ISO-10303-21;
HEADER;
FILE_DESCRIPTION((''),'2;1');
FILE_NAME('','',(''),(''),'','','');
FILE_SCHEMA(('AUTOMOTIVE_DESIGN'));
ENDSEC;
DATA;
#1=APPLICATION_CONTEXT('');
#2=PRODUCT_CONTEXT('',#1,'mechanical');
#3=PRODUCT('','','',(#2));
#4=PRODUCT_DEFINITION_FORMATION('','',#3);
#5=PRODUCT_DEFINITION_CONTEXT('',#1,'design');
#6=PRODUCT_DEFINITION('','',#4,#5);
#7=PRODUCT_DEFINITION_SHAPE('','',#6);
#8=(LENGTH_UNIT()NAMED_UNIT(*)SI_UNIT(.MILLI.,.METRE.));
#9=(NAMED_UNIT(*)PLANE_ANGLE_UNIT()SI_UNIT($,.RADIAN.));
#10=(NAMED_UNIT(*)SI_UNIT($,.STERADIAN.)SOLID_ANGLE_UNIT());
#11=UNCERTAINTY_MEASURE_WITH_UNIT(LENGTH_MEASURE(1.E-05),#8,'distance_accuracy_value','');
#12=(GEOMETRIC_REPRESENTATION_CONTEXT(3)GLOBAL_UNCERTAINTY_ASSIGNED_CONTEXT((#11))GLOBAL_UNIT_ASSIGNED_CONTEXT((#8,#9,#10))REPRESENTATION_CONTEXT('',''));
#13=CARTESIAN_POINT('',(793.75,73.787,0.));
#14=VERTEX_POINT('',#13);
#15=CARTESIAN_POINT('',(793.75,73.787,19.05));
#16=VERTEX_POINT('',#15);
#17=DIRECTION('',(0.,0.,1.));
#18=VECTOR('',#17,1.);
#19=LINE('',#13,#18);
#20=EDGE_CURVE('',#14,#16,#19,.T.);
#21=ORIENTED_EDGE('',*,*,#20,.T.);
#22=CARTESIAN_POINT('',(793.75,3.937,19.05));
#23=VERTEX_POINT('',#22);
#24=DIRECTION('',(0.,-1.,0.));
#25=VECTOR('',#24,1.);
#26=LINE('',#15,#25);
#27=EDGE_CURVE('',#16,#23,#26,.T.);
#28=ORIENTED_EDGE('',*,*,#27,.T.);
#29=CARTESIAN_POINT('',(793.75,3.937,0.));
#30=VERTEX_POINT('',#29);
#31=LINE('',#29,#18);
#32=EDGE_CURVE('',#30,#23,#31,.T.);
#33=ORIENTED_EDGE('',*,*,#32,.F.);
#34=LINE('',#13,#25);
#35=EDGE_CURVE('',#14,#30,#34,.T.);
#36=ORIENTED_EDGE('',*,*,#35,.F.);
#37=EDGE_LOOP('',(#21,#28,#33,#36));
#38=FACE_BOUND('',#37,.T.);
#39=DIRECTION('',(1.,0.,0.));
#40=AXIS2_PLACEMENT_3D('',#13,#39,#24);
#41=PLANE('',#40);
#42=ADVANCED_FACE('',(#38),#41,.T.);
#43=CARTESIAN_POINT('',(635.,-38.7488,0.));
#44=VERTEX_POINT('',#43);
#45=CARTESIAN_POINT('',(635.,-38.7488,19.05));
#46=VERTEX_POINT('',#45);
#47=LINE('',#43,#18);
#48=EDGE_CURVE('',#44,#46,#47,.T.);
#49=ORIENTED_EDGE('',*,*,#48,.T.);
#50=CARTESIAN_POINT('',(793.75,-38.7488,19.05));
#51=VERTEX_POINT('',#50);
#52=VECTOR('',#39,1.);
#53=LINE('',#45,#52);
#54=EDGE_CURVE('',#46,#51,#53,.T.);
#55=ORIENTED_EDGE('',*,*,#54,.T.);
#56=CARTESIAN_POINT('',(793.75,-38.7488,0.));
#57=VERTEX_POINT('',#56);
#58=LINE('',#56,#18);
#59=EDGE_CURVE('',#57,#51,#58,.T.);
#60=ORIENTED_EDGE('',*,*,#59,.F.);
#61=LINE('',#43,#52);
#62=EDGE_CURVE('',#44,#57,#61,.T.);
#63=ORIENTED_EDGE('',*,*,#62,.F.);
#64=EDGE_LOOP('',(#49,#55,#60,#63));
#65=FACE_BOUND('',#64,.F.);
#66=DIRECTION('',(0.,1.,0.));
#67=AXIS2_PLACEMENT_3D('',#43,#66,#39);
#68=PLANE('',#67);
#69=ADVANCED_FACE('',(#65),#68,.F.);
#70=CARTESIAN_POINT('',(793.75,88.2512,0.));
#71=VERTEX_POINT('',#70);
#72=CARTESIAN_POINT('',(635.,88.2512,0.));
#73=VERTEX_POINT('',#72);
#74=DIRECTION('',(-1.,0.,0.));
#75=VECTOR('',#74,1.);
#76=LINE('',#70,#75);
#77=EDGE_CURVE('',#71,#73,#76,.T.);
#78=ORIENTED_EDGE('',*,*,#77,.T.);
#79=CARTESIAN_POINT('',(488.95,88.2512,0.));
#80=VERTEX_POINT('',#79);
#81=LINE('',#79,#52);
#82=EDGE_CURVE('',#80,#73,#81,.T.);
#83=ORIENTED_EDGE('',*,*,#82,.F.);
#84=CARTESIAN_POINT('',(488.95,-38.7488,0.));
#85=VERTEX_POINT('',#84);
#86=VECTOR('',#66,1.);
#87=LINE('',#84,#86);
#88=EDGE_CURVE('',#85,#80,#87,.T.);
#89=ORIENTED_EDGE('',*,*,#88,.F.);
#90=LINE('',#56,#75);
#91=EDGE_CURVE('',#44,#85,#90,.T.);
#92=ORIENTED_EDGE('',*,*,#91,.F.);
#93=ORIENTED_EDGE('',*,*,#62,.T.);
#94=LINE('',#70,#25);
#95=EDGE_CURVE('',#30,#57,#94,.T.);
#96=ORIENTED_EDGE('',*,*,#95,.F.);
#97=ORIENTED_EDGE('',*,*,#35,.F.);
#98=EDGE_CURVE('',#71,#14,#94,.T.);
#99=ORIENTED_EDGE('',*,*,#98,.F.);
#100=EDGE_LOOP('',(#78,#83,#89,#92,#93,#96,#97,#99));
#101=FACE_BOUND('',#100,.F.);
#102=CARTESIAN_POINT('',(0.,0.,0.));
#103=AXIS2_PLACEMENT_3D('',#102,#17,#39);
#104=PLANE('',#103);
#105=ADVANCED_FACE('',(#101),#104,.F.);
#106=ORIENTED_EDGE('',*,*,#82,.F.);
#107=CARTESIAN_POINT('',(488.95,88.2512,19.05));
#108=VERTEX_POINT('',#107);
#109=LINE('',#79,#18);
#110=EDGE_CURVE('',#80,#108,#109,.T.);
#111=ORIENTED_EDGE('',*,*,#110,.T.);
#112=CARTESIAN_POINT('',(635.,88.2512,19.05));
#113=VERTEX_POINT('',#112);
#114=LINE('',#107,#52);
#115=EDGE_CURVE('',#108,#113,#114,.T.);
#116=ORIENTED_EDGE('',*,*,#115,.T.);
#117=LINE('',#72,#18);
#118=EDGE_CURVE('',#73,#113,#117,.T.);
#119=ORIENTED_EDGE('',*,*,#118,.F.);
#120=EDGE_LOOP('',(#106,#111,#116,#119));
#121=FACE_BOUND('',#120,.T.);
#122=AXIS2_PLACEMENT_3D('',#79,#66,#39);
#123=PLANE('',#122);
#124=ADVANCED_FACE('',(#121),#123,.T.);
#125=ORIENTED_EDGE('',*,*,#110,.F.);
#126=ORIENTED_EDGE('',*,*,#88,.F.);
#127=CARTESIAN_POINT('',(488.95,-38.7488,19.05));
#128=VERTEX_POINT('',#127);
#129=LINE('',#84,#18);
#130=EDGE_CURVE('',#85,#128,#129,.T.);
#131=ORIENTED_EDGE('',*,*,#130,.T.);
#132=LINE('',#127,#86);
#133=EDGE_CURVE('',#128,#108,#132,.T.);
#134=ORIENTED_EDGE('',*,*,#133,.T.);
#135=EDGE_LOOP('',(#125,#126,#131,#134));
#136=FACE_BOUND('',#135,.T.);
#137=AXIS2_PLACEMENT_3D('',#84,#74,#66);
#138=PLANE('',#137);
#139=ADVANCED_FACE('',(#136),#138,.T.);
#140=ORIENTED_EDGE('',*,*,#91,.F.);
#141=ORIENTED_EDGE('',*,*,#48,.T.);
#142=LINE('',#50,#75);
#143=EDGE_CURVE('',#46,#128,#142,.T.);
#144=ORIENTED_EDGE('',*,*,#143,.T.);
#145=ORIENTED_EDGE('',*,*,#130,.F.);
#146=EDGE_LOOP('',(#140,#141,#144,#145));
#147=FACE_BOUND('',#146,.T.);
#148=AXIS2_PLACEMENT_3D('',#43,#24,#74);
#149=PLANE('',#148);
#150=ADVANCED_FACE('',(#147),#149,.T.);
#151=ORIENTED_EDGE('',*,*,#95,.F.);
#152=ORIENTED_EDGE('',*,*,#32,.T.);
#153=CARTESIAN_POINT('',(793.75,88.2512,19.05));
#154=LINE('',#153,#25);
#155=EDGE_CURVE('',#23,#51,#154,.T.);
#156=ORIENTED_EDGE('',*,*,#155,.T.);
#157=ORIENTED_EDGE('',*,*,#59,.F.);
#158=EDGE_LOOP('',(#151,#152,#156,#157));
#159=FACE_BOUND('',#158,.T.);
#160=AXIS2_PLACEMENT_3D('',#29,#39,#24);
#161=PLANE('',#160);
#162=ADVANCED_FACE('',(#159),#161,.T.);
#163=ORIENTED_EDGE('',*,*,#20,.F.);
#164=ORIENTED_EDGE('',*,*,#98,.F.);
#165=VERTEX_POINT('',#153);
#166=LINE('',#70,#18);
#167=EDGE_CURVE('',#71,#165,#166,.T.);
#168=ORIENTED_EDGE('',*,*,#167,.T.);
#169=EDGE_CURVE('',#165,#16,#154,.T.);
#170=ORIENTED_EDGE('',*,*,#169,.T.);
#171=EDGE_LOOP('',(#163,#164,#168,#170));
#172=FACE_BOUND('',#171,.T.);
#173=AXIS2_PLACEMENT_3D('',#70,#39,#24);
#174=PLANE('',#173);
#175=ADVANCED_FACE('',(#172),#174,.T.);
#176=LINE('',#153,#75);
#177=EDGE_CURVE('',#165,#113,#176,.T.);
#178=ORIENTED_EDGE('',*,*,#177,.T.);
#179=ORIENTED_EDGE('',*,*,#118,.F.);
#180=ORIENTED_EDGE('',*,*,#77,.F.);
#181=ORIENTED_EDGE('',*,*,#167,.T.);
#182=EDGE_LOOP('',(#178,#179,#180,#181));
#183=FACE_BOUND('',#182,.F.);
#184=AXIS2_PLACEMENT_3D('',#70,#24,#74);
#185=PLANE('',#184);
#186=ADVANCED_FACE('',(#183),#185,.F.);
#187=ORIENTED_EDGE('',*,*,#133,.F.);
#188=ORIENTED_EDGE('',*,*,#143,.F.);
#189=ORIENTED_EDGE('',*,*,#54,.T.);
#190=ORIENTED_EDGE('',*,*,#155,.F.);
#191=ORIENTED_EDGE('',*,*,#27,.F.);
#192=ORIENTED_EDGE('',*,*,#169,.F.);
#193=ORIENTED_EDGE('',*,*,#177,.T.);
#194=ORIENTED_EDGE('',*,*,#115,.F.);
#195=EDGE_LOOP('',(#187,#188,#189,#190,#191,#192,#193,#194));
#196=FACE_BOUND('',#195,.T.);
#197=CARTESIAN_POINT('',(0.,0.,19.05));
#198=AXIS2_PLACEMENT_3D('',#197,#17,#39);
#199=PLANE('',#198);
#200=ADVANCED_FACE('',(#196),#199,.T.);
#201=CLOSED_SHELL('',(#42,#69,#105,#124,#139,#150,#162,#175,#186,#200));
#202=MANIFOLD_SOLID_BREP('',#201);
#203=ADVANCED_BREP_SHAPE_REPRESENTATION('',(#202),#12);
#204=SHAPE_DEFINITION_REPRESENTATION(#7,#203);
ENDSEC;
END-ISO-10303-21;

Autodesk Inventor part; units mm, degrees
ref_plane "YZ Plane" through (0, 0, 0) normal (1, 0, 0) x (0, 1, 0)
ref_plane "XZ Plane" through (0, 0, 0) normal (0, 1, 0) x (-1, 0, 0)
ref_plane "XY Plane" through (0, 0, 0) normal (0, 0, 1) x (1, 0, 0)
sketch "Sketch1" plane through (0, 0, 0) normal (0, 0, 1) x (1, 0, 0)
  line L0 (793.75, 73.787) -> (793.75, 3.937) projected
  line L1 (635, -38.7488) -> (793.75, -38.7488) projected
  line L2 (793.75, 88.2512) -> (635, 88.2512) projected
  line L3 (793.75, -38.7488) -> (488.95, -38.7488)
  line L4 (488.95, -38.7488) -> (488.95, 88.2512)
  line L5 (488.95, 88.2512) -> (793.75, 88.2512)
  line L6 (793.75, 88.2512) -> (793.75, -38.7488)
  point P0 (0, 0)
  dimension "d0" = 127
  dimension "d1" = 304.8
extrude "Extrusion1" add sketch "Sketch1" along normal blind 19.05
properties part number "Front Board"
